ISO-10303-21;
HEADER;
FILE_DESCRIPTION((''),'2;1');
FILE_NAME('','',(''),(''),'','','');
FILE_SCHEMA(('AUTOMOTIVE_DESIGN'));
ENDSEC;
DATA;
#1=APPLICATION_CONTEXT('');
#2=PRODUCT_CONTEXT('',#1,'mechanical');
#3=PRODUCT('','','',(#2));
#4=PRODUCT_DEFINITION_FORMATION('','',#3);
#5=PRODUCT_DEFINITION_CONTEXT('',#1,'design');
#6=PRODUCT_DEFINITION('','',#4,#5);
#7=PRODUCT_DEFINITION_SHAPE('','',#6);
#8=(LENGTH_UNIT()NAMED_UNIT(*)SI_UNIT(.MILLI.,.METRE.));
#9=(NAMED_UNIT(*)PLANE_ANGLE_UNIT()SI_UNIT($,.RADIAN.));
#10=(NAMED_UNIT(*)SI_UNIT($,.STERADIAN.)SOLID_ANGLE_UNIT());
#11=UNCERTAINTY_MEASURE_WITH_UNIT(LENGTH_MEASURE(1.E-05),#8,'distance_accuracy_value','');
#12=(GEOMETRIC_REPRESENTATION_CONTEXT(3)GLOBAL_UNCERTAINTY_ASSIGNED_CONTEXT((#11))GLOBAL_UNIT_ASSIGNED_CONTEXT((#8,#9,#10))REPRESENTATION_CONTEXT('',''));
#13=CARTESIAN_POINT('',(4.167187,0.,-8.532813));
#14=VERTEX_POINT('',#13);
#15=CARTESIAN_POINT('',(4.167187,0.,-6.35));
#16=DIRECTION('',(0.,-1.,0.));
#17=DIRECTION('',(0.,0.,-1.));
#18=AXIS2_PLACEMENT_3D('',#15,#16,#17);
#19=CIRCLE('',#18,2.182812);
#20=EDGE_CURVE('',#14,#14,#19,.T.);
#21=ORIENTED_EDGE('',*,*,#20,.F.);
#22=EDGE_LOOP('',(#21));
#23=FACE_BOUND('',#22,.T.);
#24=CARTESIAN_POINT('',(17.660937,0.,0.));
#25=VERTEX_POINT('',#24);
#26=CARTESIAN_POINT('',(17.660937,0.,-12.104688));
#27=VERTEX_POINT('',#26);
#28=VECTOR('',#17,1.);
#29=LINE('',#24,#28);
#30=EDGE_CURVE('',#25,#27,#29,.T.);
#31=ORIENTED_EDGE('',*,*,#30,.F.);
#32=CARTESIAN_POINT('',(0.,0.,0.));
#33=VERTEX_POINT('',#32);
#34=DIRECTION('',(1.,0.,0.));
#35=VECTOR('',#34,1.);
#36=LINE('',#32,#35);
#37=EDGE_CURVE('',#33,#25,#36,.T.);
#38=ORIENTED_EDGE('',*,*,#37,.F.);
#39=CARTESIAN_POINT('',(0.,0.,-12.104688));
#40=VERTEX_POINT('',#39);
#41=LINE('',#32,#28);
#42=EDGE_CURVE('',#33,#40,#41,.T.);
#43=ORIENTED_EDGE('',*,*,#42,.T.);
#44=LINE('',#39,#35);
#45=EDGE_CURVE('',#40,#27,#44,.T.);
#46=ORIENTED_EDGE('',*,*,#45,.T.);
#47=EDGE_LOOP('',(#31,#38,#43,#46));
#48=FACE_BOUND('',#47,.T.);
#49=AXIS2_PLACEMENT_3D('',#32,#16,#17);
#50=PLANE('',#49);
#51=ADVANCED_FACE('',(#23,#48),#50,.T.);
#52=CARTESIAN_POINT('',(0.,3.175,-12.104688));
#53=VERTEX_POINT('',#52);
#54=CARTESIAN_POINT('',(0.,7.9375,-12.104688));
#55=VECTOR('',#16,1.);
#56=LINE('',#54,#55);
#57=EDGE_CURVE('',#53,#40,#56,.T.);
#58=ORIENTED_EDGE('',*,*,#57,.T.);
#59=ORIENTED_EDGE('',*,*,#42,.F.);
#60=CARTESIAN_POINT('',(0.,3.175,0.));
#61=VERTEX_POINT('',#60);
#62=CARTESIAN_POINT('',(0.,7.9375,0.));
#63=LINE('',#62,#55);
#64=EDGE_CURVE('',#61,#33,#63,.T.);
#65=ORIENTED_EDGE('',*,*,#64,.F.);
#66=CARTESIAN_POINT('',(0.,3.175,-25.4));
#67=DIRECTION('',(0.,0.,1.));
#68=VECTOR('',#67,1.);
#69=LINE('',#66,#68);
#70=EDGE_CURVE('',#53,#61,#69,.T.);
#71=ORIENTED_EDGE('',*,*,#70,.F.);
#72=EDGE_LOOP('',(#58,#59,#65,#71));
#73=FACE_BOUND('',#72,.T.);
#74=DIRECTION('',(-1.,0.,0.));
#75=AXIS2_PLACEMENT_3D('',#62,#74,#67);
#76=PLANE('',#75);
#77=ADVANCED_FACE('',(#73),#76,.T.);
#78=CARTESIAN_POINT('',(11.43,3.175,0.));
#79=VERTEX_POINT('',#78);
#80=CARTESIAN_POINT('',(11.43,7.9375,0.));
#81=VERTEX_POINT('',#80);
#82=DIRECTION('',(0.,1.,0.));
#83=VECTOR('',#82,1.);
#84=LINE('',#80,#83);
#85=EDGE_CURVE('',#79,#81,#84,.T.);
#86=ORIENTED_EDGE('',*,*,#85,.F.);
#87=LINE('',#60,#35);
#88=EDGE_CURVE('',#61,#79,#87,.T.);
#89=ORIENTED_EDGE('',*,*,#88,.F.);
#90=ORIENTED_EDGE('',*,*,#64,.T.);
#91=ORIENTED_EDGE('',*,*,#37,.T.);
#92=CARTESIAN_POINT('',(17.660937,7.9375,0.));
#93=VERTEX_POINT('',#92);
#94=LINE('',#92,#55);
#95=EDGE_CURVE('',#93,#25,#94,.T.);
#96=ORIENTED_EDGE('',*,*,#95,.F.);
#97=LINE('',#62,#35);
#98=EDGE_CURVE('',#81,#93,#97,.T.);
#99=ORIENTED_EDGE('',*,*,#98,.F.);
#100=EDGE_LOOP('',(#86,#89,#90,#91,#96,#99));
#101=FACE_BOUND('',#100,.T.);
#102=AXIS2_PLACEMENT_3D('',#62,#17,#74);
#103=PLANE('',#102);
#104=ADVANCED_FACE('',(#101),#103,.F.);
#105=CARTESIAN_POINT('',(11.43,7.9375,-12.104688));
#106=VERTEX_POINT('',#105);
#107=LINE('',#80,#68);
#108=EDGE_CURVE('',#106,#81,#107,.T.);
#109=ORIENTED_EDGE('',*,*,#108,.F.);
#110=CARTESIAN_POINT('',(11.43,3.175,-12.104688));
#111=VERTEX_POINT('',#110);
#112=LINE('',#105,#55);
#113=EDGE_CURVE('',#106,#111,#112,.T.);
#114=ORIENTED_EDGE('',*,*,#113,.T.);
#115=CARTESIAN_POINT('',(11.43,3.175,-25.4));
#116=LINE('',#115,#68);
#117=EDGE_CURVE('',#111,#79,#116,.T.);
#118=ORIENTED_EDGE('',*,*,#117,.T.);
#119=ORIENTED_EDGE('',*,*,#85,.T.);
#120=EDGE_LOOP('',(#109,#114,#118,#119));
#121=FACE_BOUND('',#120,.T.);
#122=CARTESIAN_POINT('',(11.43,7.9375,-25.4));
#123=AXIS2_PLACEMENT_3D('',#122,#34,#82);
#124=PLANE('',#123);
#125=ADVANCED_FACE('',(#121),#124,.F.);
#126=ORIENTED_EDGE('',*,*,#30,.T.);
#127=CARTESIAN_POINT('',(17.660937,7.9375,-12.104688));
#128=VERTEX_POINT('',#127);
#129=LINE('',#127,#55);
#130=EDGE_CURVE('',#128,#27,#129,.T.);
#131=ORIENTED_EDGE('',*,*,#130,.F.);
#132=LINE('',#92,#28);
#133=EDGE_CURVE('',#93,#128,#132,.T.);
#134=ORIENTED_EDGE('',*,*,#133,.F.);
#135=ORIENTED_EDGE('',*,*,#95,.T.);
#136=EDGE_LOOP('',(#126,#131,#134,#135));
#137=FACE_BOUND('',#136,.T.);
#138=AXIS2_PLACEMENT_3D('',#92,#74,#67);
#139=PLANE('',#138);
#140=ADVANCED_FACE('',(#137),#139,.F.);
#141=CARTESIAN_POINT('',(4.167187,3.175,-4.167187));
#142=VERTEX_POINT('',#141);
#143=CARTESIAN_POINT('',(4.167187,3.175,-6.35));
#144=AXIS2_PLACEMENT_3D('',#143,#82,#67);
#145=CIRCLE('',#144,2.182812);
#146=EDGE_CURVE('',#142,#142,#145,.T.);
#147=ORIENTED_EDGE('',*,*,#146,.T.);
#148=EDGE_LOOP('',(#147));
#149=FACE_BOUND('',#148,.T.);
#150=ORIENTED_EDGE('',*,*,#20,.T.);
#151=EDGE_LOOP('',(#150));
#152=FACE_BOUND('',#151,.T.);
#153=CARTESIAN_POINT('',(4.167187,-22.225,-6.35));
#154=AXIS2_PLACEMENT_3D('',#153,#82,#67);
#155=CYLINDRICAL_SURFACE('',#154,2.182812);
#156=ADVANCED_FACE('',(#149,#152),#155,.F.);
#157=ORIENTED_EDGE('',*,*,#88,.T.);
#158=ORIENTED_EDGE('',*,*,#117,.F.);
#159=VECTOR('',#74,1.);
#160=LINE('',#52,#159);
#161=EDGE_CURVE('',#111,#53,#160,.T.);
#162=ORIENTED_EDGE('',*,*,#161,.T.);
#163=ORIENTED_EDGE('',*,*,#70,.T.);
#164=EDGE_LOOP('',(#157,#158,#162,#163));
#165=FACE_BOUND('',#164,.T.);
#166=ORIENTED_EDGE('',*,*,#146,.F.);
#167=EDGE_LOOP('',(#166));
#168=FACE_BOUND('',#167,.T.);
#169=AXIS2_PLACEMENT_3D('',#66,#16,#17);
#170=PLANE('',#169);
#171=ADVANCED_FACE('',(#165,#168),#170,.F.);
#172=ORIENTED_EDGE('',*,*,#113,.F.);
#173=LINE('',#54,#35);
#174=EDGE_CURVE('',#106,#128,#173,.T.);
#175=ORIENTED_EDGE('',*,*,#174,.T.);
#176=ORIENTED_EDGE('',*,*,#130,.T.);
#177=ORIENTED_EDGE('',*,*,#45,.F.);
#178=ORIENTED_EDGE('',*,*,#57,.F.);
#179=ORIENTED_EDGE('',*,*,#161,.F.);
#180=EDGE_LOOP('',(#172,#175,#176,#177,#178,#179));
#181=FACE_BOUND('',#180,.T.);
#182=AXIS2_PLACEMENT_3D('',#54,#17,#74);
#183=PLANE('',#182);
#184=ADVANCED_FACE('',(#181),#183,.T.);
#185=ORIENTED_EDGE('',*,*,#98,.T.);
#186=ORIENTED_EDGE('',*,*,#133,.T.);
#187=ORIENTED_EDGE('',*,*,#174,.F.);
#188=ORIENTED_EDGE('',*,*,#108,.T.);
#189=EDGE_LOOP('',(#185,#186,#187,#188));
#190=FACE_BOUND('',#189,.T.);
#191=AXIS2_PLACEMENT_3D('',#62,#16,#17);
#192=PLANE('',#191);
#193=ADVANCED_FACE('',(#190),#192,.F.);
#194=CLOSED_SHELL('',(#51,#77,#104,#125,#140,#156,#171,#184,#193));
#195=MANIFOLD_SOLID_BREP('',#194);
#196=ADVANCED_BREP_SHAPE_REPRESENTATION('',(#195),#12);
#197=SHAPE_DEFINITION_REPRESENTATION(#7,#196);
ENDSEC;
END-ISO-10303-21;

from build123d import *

# Parameters (mm, degrees)
SKETCH1_W           = 17.6609375
SKETCH1_H           = 12.1046875
BOSS_EXTRUDE1_DEPTH = 7.9375
SKETCH2_W           = 11.43
SKETCH2_H           = 4.7625
CUT_EXTRUDE1_DEPTH  = 25.4
SKETCH3_R           = 2.1828125
CUT_EXTRUDE2_DEPTH  = 25.4


with BuildPart() as part:
    # Sketch1 → Boss-Extrude1 (new body)
    with BuildSketch(Plane(origin=(0, 0, 0), x_dir=(1, 0, 0), z_dir=(0, 1, 0))):
        with Locations((8.83046875, 6.05234375)):
            Rectangle(SKETCH1_W, SKETCH1_H)
    extrude(amount=BOSS_EXTRUDE1_DEPTH)

    # Sketch2 → Cut-Extrude1 (cut)
    with BuildSketch(Plane.XY):
        with Locations((5.715, 5.55625)):
            Rectangle(SKETCH2_W, SKETCH2_H)
    extrude(amount=-CUT_EXTRUDE1_DEPTH, mode=Mode.SUBTRACT)

    # Sketch3 → Cut-Extrude2 (cut)
    with BuildSketch(Plane(origin=(0, 3.175, 0), x_dir=(1, 0, 0), z_dir=(0, 1, 0))):
        with Locations(Location((4.1671875, 6.35, 0), (0, 0, 270))):
            Circle(SKETCH3_R)
    extrude(amount=-CUT_EXTRUDE2_DEPTH, mode=Mode.SUBTRACT)


solid = part.part
